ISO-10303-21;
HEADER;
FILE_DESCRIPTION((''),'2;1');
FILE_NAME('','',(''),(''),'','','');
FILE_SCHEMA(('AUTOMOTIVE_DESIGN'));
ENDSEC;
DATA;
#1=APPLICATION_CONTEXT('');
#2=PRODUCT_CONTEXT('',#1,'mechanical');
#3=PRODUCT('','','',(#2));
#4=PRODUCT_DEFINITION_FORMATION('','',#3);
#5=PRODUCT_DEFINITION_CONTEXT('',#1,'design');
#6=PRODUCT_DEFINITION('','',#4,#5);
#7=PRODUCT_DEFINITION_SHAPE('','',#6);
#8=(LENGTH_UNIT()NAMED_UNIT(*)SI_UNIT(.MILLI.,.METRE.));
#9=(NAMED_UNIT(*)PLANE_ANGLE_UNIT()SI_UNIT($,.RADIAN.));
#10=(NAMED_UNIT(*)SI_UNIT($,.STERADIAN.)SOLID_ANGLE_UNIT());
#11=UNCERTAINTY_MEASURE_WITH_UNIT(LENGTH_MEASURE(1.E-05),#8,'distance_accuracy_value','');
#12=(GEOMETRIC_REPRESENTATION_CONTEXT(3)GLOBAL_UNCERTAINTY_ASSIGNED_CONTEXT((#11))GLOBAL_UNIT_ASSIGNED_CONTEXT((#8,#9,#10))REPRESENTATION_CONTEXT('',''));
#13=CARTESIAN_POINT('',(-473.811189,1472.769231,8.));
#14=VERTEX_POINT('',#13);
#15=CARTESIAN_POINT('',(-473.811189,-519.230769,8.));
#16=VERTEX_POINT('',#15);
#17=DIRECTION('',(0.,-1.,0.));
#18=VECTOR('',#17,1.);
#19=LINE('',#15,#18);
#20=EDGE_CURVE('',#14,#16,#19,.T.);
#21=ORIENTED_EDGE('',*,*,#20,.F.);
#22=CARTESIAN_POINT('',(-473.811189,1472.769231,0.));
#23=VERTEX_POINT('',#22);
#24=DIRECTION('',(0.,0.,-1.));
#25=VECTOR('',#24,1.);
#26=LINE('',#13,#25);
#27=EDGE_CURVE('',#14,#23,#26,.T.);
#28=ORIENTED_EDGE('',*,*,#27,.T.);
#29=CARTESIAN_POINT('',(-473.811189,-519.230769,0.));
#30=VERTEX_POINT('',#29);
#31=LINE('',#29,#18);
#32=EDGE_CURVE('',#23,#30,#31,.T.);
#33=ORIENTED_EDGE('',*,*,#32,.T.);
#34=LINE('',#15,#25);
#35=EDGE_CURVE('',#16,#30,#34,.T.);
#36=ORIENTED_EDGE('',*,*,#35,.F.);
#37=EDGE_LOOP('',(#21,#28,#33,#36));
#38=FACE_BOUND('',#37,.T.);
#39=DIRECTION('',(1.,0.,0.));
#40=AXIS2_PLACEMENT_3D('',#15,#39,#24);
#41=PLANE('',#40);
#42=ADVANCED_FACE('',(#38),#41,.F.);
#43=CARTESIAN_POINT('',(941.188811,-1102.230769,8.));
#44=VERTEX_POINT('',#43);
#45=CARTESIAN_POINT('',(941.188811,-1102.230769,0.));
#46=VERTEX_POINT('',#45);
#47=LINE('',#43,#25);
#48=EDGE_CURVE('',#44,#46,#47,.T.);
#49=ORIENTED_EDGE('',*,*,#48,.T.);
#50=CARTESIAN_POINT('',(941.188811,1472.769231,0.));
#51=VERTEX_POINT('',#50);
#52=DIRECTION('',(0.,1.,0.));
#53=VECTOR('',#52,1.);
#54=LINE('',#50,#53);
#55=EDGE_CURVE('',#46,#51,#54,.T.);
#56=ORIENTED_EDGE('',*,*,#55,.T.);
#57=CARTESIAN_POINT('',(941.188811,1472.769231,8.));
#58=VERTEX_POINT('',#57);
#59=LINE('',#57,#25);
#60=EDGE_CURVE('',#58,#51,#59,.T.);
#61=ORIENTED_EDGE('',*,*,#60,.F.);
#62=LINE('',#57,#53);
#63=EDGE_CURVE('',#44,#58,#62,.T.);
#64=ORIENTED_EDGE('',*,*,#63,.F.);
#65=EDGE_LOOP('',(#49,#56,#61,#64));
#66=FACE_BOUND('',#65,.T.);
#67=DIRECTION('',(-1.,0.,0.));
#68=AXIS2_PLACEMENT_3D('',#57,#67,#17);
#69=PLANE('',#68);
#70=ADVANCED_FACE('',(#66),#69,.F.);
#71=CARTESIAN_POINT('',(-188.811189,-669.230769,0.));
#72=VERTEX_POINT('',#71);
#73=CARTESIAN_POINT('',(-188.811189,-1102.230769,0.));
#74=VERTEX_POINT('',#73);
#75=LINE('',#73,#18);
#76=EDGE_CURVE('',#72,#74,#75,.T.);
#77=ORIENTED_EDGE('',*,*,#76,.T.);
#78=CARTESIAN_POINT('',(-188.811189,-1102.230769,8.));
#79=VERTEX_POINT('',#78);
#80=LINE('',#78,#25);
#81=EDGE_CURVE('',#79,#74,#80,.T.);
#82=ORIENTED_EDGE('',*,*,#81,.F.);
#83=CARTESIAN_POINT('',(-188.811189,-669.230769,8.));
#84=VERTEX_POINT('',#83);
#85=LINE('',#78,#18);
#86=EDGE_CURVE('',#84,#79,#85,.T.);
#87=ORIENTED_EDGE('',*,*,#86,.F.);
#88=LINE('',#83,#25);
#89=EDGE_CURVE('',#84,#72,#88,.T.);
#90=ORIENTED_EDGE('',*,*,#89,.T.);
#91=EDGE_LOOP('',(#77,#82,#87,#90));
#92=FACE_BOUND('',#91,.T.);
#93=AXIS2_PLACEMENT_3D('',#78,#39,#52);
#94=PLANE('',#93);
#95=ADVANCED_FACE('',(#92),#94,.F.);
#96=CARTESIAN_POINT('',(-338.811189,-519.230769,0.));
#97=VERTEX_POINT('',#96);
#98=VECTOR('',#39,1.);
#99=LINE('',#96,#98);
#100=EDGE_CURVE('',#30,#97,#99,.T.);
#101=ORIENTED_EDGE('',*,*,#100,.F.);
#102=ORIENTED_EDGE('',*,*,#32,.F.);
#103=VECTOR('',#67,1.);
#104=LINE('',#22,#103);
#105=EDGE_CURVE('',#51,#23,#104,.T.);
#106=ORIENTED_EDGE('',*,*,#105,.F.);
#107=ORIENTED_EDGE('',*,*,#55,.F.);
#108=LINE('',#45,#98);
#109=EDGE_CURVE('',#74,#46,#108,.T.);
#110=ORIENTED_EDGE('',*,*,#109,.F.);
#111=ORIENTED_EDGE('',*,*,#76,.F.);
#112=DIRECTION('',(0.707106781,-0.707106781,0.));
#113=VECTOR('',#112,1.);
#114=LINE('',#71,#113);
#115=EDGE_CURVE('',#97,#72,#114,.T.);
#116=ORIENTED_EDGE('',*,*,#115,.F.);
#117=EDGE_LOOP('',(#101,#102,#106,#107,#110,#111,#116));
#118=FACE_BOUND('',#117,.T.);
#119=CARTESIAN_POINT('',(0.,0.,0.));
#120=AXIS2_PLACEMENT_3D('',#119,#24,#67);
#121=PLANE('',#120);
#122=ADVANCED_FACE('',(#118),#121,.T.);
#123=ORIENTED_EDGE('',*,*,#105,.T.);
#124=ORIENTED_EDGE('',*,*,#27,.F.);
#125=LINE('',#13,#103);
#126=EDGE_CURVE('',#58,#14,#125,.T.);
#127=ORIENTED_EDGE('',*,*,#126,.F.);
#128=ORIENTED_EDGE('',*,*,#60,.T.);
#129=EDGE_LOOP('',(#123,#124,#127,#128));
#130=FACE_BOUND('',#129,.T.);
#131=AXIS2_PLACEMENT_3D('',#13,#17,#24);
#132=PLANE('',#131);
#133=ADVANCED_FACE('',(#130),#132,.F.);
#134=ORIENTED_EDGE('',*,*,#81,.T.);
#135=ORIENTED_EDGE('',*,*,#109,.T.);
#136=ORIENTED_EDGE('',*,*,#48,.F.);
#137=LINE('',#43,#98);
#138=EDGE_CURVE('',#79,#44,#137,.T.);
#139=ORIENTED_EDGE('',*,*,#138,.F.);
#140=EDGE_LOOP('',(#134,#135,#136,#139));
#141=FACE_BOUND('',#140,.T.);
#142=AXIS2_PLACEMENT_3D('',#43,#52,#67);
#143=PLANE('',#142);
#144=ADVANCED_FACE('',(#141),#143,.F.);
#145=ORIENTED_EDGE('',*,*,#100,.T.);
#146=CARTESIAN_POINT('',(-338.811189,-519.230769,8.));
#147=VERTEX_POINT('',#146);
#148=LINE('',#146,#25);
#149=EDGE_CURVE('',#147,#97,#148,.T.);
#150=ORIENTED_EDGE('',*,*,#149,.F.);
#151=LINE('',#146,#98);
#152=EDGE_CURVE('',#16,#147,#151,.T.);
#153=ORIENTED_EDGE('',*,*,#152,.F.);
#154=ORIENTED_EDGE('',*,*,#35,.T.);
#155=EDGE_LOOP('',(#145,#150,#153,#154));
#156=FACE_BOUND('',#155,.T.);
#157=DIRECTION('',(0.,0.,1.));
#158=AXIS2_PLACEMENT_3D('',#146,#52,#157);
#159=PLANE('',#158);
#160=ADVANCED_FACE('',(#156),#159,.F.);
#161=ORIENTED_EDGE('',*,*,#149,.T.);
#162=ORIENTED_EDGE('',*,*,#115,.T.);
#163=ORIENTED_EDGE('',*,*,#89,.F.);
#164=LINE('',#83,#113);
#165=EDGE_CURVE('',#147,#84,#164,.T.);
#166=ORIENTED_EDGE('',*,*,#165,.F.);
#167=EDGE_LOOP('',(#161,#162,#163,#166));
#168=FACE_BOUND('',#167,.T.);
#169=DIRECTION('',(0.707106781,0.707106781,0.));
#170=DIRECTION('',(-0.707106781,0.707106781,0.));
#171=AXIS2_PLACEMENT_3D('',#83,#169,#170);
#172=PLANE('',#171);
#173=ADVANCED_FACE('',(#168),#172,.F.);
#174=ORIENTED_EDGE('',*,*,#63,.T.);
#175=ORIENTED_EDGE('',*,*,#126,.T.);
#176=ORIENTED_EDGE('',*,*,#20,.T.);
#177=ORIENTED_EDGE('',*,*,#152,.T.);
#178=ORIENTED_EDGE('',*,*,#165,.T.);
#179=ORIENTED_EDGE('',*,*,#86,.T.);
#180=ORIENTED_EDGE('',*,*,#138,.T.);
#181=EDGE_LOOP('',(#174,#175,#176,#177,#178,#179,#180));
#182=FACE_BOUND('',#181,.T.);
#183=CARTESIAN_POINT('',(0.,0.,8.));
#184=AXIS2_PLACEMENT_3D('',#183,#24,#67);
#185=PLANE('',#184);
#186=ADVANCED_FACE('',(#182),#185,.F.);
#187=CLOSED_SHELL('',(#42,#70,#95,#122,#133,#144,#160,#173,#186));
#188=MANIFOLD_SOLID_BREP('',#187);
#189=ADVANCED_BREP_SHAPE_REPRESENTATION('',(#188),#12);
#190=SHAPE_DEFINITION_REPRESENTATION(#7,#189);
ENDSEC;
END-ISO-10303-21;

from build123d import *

# Parameters (mm, degrees)
BOSS_EXTRUDE2_DEPTH = 8


with BuildPart() as part:
    # Sketch2 → Boss-Extrude2 (new body)
    with BuildSketch(Plane.XY):
        Polygon((-473.811188811, 1472.769230769), (941.188811189, 1472.769230769), (941.188811189, -1102.230769231), (-188.811188811, -1102.230769231), (-188.811188811, -669.230769231), (-338.811188811, -519.230769231), (-473.811188811, -519.230769231), align=None)
    extrude(amount=BOSS_EXTRUDE2_DEPTH)


solid = part.part
